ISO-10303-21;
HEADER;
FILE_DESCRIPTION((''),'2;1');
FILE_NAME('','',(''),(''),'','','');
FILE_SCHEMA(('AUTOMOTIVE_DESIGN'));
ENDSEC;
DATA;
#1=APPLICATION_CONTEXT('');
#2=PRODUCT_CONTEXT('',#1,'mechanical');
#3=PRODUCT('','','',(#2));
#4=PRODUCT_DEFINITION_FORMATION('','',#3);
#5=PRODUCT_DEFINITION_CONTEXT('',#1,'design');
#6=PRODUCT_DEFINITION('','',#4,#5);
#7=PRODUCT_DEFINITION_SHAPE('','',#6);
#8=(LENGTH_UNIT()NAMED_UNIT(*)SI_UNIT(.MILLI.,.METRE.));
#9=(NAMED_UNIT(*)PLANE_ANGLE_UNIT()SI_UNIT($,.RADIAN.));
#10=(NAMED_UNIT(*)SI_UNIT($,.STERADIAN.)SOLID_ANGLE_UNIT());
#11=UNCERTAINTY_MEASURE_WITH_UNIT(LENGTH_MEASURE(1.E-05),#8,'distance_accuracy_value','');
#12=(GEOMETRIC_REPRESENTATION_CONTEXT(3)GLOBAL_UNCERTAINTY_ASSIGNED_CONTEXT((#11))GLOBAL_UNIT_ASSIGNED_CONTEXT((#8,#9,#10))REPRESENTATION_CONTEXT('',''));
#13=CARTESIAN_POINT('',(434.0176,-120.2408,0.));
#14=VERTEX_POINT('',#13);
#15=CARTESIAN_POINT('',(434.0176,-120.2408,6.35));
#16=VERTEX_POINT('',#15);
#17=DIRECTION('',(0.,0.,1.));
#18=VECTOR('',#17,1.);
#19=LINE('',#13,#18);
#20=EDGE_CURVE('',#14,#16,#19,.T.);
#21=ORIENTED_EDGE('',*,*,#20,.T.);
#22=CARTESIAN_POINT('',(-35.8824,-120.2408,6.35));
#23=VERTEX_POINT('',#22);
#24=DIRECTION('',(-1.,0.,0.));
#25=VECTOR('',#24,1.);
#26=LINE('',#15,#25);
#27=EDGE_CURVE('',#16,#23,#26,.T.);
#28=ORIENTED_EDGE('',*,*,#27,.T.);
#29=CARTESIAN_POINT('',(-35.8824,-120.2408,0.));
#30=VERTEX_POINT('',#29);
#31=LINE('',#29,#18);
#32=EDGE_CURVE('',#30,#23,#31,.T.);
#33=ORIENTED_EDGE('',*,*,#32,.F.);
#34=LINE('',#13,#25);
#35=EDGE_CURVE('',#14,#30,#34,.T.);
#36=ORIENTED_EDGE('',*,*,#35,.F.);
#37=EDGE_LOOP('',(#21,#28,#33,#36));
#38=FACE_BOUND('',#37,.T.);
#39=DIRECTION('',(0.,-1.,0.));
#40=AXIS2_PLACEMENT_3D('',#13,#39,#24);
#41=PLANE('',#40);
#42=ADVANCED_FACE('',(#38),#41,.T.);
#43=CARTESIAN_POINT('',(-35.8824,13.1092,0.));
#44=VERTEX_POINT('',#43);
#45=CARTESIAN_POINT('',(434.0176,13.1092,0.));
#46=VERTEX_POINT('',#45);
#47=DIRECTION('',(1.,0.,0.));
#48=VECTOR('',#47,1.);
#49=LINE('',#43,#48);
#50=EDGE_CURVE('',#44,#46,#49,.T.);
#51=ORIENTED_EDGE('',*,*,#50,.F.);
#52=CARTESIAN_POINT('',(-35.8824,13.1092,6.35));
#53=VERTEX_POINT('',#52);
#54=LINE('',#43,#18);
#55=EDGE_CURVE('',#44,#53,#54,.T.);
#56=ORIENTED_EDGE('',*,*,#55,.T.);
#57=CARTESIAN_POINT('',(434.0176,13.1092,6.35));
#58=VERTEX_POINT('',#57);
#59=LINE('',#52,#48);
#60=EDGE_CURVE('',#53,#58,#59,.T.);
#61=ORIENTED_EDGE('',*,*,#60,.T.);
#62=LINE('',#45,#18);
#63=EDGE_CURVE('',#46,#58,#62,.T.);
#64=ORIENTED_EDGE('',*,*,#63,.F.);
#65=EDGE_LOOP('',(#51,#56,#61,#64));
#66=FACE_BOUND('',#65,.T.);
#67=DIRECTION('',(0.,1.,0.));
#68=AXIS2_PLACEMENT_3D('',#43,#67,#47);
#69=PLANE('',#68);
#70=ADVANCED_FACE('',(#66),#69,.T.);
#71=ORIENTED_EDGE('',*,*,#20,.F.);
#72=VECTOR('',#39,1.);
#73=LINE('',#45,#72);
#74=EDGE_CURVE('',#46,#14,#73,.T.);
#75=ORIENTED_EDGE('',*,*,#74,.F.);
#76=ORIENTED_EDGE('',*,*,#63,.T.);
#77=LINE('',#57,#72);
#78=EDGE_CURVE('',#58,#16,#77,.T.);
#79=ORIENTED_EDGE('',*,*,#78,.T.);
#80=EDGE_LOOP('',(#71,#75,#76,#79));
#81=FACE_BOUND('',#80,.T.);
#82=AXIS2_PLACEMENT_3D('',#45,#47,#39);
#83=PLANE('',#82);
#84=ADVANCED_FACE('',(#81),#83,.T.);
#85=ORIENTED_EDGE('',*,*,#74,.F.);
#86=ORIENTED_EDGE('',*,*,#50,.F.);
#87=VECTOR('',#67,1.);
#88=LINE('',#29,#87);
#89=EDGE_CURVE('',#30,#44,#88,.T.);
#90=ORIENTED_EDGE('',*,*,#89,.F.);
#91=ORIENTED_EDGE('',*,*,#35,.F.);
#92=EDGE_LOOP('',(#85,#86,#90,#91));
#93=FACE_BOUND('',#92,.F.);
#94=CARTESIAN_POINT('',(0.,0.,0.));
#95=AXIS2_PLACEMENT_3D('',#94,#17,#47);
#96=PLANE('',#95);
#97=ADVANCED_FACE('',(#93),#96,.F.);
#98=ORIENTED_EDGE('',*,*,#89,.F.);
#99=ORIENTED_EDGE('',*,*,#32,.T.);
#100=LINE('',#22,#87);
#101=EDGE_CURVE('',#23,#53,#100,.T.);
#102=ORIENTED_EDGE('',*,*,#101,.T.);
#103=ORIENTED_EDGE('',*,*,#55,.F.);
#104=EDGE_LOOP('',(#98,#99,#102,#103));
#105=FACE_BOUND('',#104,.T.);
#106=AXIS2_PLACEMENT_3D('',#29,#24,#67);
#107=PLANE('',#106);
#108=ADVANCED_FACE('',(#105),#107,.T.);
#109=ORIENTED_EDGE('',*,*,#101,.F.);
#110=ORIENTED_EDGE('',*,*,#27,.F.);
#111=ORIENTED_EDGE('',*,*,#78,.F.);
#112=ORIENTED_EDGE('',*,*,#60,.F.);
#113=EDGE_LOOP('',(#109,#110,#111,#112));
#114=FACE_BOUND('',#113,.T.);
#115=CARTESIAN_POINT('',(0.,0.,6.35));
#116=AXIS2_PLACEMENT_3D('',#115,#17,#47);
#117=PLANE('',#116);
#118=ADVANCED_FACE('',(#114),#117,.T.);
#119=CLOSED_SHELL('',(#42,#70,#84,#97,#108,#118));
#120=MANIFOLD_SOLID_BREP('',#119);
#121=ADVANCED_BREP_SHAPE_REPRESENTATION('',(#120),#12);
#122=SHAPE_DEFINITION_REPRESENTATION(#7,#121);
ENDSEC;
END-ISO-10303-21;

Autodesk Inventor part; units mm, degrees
ref_plane "YZ Plane" through (0, 0, 0) normal (1, 0, 0) x (0, 1, 0)
ref_plane "XZ Plane" through (0, 0, 0) normal (0, 1, 0) x (-1, 0, 0)
ref_plane "XY Plane" through (0, 0, 0) normal (0, 0, 1) x (1, 0, 0)
sketch "Sketch1" plane through (0, 0, 0) normal (0, 0, 1) x (1, 0, 0)
  line L0 (-35.8824, 13.1092) -> (434.0176, 13.1092)
  line L1 (434.0176, 13.1092) -> (434.0176, -120.2408)
  line L2 (434.0176, -120.2408) -> (-35.8824, -120.2408)
  line L3 (-35.8824, -120.2408) -> (-35.8824, 13.1092)
  point P0 (0, 0)
  dimension "d0" = 469.9
  dimension "d1" = 133.35
extrude "Extrusion1" add sketch "Sketch1" along normal blind 6.35
properties part number "top and bottom panel normal"
